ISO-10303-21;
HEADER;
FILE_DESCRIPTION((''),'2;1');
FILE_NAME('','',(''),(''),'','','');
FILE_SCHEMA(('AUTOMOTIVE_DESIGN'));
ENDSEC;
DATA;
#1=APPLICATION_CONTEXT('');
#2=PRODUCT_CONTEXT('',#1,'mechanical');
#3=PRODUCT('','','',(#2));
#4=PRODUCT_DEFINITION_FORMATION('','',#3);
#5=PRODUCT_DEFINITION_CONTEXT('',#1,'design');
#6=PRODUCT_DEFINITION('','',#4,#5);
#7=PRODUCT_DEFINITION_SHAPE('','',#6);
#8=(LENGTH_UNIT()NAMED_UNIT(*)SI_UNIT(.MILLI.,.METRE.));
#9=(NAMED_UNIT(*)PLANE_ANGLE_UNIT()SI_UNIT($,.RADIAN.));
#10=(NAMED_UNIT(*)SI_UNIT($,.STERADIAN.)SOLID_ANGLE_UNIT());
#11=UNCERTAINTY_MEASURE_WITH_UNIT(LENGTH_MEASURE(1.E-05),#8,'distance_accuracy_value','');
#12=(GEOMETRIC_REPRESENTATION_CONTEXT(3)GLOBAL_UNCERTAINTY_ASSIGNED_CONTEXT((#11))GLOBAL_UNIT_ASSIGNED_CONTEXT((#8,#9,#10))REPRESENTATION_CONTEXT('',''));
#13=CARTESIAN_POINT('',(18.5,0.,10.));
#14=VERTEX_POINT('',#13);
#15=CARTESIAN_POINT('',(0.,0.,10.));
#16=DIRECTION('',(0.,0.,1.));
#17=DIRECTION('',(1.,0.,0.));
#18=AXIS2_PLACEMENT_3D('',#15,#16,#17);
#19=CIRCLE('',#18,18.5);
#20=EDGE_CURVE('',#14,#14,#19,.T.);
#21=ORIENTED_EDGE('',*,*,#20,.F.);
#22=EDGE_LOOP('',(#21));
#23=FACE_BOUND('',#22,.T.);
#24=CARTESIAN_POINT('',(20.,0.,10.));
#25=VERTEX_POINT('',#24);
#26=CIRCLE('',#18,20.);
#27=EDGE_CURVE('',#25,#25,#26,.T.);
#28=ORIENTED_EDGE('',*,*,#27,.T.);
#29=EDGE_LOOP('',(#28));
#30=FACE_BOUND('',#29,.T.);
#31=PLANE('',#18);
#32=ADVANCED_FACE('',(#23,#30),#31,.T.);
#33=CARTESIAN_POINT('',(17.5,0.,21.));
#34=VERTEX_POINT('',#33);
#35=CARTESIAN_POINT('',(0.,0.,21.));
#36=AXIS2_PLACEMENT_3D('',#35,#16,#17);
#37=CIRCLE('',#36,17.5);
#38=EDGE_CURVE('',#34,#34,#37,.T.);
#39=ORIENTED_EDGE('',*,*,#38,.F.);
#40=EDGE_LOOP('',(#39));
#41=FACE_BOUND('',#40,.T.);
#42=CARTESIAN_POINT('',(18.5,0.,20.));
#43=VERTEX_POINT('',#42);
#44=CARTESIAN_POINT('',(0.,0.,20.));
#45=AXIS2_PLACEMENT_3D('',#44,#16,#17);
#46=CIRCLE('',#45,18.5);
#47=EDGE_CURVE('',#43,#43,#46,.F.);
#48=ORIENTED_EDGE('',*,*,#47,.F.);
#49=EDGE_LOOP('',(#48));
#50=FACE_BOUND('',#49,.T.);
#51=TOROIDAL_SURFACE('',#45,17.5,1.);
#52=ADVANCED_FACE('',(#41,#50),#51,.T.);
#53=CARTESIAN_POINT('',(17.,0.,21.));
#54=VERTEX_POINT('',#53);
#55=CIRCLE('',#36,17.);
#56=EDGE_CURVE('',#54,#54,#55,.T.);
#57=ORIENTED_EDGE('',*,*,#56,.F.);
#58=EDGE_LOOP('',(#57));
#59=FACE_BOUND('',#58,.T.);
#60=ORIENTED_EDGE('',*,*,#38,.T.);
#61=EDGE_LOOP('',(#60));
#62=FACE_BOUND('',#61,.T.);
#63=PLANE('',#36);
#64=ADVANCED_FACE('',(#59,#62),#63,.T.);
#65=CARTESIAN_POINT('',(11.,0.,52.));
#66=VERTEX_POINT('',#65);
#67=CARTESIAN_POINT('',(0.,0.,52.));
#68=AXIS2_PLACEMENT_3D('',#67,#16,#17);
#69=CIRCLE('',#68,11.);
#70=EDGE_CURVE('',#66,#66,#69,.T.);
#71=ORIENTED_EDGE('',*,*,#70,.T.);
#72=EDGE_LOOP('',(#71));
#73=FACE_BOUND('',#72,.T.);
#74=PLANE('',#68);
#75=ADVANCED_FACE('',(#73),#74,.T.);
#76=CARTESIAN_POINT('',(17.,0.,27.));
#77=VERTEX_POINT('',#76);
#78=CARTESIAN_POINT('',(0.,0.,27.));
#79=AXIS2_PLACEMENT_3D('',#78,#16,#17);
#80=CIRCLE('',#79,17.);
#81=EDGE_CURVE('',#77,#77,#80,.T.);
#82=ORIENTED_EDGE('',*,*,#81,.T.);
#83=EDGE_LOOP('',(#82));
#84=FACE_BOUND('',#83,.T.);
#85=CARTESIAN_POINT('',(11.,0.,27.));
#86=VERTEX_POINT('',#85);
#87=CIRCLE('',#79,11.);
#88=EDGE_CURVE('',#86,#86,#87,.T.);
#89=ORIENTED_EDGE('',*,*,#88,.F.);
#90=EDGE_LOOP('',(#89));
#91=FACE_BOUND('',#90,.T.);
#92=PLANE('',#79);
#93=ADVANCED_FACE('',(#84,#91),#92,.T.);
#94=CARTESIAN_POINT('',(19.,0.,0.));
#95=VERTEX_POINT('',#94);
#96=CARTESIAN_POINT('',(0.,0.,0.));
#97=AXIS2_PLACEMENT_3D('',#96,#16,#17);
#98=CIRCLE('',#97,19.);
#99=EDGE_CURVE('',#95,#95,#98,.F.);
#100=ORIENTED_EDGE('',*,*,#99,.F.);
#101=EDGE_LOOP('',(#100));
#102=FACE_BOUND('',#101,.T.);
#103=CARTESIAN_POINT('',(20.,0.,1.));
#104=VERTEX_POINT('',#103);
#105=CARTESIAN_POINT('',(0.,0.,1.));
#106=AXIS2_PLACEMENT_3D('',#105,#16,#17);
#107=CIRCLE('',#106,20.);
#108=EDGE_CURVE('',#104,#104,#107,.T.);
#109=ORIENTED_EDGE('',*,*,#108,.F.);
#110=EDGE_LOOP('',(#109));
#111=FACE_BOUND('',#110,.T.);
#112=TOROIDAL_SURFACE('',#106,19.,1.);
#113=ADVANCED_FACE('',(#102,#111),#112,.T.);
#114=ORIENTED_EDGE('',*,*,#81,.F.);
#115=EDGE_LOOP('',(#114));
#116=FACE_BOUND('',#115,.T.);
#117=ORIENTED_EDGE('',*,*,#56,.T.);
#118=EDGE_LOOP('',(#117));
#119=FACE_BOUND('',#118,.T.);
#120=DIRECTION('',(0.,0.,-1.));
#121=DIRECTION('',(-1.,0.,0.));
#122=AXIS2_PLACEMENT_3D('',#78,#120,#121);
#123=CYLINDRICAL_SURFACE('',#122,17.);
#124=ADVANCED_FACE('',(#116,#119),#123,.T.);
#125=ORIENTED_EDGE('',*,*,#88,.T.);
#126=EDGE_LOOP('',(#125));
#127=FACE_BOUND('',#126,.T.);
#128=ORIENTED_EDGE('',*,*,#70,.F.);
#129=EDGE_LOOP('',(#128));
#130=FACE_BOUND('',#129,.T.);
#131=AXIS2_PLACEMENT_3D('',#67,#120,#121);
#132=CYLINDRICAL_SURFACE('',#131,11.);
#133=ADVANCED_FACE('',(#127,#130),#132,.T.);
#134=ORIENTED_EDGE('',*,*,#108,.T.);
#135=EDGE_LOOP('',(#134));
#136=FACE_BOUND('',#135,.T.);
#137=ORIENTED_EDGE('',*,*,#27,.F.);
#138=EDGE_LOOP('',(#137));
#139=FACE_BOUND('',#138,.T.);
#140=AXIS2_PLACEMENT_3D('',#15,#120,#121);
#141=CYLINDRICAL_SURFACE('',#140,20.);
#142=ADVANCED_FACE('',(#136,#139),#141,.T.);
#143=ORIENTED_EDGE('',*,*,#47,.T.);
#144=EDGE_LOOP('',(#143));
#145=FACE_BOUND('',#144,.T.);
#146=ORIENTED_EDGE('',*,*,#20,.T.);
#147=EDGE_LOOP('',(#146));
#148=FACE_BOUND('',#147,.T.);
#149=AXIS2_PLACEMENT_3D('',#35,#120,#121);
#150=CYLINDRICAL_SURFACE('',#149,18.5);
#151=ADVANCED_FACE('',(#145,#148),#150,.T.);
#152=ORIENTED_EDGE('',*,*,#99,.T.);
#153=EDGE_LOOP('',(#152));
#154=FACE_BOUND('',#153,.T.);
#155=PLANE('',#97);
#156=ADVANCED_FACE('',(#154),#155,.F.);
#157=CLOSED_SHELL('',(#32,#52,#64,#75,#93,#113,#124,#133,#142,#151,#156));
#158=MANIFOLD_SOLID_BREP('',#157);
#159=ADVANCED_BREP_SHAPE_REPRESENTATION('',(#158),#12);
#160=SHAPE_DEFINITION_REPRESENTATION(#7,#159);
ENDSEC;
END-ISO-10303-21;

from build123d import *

# Parameters (mm, degrees)
SKETCH1_R           = 20
BOSS_EXTRUDE1_DEPTH = 10
SKETCH2_R           = 18.5
BOSS_EXTRUDE2_DEPTH = 11
SKETCH3_R           = 17
BOSS_EXTRUDE3_DEPTH = 6
SKETCH4_R           = 11
BOSS_EXTRUDE4_DEPTH = 25
FILLET1_R           = 1


with BuildPart() as part:
    # Sketch1 → Boss-Extrude1 (new body)
    with BuildSketch(Plane.XY):
        Circle(SKETCH1_R)
    extrude(amount=BOSS_EXTRUDE1_DEPTH)

    # Sketch2 → Boss-Extrude2 (add)
    with BuildSketch(Plane.XY.offset(10)):
        Circle(SKETCH2_R)
    extrude(amount=BOSS_EXTRUDE2_DEPTH)

    # Sketch3 → Boss-Extrude3 (add)
    with BuildSketch(Plane.XY.offset(21)):
        Circle(SKETCH3_R)
    extrude(amount=BOSS_EXTRUDE3_DEPTH)

    # Sketch4 → Boss-Extrude4 (add)
    with BuildSketch(Plane.XY.offset(27)):
        Circle(SKETCH4_R)
    extrude(amount=BOSS_EXTRUDE4_DEPTH)

    # Fillet1
    fillet1_edges = [part.edges().sort_by_distance(p)[0] for p in [
        (-20, 0, 0),
        (-18.5, 0, 21),
    ]]
    fillet(fillet1_edges, radius=FILLET1_R)


solid = part.part
